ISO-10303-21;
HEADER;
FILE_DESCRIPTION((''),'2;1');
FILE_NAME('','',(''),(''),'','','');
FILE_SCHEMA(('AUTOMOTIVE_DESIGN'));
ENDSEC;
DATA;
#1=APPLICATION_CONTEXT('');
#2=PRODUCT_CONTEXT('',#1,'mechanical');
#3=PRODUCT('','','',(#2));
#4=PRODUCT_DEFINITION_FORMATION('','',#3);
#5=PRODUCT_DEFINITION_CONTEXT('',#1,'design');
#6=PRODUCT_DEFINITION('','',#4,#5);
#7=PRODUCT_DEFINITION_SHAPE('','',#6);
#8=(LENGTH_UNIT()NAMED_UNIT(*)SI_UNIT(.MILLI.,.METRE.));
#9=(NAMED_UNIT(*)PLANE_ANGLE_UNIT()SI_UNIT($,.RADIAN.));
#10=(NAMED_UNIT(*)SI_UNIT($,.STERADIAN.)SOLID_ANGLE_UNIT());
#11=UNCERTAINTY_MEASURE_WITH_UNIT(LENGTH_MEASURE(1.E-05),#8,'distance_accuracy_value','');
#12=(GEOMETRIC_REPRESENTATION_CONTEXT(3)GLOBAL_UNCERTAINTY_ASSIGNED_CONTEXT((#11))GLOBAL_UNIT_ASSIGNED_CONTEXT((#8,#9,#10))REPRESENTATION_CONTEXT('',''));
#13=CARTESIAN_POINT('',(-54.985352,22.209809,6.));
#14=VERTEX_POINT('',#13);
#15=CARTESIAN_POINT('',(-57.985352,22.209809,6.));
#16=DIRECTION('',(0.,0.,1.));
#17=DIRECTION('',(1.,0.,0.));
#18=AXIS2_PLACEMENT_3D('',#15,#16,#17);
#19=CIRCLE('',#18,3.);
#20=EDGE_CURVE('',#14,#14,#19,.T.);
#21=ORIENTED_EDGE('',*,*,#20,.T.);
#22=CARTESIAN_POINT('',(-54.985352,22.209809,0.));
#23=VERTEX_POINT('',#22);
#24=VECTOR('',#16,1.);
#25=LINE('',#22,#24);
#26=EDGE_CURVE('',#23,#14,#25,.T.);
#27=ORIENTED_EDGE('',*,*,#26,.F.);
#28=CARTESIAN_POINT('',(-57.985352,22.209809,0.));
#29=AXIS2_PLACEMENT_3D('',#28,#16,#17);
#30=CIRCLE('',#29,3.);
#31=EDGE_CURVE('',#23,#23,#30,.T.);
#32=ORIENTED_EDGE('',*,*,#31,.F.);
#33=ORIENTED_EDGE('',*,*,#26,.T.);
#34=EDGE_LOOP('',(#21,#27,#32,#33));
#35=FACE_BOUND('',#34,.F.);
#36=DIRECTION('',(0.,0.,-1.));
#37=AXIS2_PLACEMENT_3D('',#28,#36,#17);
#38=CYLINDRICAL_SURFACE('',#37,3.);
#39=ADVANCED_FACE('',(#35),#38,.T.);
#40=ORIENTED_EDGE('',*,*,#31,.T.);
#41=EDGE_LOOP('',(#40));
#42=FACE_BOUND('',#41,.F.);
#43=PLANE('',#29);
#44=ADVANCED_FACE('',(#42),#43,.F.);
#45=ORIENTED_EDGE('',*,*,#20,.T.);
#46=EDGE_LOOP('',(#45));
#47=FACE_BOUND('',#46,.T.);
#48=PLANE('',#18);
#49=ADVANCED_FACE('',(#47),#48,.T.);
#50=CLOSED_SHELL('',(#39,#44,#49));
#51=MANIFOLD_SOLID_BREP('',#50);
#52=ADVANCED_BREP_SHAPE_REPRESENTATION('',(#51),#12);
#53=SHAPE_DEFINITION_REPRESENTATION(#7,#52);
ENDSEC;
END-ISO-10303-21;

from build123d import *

# Parameters (mm, degrees)
SKETCH2_R           = 3
BOSS_EXTRUDE1_DEPTH = 6


with BuildPart() as part:
    # Sketch2 → Boss-Extrude1 (new body)
    with BuildSketch(Plane.XY):
        with Locations((-57.985351702, 22.209808612)):
            Circle(SKETCH2_R)
    extrude(amount=BOSS_EXTRUDE1_DEPTH)


solid = part.part
